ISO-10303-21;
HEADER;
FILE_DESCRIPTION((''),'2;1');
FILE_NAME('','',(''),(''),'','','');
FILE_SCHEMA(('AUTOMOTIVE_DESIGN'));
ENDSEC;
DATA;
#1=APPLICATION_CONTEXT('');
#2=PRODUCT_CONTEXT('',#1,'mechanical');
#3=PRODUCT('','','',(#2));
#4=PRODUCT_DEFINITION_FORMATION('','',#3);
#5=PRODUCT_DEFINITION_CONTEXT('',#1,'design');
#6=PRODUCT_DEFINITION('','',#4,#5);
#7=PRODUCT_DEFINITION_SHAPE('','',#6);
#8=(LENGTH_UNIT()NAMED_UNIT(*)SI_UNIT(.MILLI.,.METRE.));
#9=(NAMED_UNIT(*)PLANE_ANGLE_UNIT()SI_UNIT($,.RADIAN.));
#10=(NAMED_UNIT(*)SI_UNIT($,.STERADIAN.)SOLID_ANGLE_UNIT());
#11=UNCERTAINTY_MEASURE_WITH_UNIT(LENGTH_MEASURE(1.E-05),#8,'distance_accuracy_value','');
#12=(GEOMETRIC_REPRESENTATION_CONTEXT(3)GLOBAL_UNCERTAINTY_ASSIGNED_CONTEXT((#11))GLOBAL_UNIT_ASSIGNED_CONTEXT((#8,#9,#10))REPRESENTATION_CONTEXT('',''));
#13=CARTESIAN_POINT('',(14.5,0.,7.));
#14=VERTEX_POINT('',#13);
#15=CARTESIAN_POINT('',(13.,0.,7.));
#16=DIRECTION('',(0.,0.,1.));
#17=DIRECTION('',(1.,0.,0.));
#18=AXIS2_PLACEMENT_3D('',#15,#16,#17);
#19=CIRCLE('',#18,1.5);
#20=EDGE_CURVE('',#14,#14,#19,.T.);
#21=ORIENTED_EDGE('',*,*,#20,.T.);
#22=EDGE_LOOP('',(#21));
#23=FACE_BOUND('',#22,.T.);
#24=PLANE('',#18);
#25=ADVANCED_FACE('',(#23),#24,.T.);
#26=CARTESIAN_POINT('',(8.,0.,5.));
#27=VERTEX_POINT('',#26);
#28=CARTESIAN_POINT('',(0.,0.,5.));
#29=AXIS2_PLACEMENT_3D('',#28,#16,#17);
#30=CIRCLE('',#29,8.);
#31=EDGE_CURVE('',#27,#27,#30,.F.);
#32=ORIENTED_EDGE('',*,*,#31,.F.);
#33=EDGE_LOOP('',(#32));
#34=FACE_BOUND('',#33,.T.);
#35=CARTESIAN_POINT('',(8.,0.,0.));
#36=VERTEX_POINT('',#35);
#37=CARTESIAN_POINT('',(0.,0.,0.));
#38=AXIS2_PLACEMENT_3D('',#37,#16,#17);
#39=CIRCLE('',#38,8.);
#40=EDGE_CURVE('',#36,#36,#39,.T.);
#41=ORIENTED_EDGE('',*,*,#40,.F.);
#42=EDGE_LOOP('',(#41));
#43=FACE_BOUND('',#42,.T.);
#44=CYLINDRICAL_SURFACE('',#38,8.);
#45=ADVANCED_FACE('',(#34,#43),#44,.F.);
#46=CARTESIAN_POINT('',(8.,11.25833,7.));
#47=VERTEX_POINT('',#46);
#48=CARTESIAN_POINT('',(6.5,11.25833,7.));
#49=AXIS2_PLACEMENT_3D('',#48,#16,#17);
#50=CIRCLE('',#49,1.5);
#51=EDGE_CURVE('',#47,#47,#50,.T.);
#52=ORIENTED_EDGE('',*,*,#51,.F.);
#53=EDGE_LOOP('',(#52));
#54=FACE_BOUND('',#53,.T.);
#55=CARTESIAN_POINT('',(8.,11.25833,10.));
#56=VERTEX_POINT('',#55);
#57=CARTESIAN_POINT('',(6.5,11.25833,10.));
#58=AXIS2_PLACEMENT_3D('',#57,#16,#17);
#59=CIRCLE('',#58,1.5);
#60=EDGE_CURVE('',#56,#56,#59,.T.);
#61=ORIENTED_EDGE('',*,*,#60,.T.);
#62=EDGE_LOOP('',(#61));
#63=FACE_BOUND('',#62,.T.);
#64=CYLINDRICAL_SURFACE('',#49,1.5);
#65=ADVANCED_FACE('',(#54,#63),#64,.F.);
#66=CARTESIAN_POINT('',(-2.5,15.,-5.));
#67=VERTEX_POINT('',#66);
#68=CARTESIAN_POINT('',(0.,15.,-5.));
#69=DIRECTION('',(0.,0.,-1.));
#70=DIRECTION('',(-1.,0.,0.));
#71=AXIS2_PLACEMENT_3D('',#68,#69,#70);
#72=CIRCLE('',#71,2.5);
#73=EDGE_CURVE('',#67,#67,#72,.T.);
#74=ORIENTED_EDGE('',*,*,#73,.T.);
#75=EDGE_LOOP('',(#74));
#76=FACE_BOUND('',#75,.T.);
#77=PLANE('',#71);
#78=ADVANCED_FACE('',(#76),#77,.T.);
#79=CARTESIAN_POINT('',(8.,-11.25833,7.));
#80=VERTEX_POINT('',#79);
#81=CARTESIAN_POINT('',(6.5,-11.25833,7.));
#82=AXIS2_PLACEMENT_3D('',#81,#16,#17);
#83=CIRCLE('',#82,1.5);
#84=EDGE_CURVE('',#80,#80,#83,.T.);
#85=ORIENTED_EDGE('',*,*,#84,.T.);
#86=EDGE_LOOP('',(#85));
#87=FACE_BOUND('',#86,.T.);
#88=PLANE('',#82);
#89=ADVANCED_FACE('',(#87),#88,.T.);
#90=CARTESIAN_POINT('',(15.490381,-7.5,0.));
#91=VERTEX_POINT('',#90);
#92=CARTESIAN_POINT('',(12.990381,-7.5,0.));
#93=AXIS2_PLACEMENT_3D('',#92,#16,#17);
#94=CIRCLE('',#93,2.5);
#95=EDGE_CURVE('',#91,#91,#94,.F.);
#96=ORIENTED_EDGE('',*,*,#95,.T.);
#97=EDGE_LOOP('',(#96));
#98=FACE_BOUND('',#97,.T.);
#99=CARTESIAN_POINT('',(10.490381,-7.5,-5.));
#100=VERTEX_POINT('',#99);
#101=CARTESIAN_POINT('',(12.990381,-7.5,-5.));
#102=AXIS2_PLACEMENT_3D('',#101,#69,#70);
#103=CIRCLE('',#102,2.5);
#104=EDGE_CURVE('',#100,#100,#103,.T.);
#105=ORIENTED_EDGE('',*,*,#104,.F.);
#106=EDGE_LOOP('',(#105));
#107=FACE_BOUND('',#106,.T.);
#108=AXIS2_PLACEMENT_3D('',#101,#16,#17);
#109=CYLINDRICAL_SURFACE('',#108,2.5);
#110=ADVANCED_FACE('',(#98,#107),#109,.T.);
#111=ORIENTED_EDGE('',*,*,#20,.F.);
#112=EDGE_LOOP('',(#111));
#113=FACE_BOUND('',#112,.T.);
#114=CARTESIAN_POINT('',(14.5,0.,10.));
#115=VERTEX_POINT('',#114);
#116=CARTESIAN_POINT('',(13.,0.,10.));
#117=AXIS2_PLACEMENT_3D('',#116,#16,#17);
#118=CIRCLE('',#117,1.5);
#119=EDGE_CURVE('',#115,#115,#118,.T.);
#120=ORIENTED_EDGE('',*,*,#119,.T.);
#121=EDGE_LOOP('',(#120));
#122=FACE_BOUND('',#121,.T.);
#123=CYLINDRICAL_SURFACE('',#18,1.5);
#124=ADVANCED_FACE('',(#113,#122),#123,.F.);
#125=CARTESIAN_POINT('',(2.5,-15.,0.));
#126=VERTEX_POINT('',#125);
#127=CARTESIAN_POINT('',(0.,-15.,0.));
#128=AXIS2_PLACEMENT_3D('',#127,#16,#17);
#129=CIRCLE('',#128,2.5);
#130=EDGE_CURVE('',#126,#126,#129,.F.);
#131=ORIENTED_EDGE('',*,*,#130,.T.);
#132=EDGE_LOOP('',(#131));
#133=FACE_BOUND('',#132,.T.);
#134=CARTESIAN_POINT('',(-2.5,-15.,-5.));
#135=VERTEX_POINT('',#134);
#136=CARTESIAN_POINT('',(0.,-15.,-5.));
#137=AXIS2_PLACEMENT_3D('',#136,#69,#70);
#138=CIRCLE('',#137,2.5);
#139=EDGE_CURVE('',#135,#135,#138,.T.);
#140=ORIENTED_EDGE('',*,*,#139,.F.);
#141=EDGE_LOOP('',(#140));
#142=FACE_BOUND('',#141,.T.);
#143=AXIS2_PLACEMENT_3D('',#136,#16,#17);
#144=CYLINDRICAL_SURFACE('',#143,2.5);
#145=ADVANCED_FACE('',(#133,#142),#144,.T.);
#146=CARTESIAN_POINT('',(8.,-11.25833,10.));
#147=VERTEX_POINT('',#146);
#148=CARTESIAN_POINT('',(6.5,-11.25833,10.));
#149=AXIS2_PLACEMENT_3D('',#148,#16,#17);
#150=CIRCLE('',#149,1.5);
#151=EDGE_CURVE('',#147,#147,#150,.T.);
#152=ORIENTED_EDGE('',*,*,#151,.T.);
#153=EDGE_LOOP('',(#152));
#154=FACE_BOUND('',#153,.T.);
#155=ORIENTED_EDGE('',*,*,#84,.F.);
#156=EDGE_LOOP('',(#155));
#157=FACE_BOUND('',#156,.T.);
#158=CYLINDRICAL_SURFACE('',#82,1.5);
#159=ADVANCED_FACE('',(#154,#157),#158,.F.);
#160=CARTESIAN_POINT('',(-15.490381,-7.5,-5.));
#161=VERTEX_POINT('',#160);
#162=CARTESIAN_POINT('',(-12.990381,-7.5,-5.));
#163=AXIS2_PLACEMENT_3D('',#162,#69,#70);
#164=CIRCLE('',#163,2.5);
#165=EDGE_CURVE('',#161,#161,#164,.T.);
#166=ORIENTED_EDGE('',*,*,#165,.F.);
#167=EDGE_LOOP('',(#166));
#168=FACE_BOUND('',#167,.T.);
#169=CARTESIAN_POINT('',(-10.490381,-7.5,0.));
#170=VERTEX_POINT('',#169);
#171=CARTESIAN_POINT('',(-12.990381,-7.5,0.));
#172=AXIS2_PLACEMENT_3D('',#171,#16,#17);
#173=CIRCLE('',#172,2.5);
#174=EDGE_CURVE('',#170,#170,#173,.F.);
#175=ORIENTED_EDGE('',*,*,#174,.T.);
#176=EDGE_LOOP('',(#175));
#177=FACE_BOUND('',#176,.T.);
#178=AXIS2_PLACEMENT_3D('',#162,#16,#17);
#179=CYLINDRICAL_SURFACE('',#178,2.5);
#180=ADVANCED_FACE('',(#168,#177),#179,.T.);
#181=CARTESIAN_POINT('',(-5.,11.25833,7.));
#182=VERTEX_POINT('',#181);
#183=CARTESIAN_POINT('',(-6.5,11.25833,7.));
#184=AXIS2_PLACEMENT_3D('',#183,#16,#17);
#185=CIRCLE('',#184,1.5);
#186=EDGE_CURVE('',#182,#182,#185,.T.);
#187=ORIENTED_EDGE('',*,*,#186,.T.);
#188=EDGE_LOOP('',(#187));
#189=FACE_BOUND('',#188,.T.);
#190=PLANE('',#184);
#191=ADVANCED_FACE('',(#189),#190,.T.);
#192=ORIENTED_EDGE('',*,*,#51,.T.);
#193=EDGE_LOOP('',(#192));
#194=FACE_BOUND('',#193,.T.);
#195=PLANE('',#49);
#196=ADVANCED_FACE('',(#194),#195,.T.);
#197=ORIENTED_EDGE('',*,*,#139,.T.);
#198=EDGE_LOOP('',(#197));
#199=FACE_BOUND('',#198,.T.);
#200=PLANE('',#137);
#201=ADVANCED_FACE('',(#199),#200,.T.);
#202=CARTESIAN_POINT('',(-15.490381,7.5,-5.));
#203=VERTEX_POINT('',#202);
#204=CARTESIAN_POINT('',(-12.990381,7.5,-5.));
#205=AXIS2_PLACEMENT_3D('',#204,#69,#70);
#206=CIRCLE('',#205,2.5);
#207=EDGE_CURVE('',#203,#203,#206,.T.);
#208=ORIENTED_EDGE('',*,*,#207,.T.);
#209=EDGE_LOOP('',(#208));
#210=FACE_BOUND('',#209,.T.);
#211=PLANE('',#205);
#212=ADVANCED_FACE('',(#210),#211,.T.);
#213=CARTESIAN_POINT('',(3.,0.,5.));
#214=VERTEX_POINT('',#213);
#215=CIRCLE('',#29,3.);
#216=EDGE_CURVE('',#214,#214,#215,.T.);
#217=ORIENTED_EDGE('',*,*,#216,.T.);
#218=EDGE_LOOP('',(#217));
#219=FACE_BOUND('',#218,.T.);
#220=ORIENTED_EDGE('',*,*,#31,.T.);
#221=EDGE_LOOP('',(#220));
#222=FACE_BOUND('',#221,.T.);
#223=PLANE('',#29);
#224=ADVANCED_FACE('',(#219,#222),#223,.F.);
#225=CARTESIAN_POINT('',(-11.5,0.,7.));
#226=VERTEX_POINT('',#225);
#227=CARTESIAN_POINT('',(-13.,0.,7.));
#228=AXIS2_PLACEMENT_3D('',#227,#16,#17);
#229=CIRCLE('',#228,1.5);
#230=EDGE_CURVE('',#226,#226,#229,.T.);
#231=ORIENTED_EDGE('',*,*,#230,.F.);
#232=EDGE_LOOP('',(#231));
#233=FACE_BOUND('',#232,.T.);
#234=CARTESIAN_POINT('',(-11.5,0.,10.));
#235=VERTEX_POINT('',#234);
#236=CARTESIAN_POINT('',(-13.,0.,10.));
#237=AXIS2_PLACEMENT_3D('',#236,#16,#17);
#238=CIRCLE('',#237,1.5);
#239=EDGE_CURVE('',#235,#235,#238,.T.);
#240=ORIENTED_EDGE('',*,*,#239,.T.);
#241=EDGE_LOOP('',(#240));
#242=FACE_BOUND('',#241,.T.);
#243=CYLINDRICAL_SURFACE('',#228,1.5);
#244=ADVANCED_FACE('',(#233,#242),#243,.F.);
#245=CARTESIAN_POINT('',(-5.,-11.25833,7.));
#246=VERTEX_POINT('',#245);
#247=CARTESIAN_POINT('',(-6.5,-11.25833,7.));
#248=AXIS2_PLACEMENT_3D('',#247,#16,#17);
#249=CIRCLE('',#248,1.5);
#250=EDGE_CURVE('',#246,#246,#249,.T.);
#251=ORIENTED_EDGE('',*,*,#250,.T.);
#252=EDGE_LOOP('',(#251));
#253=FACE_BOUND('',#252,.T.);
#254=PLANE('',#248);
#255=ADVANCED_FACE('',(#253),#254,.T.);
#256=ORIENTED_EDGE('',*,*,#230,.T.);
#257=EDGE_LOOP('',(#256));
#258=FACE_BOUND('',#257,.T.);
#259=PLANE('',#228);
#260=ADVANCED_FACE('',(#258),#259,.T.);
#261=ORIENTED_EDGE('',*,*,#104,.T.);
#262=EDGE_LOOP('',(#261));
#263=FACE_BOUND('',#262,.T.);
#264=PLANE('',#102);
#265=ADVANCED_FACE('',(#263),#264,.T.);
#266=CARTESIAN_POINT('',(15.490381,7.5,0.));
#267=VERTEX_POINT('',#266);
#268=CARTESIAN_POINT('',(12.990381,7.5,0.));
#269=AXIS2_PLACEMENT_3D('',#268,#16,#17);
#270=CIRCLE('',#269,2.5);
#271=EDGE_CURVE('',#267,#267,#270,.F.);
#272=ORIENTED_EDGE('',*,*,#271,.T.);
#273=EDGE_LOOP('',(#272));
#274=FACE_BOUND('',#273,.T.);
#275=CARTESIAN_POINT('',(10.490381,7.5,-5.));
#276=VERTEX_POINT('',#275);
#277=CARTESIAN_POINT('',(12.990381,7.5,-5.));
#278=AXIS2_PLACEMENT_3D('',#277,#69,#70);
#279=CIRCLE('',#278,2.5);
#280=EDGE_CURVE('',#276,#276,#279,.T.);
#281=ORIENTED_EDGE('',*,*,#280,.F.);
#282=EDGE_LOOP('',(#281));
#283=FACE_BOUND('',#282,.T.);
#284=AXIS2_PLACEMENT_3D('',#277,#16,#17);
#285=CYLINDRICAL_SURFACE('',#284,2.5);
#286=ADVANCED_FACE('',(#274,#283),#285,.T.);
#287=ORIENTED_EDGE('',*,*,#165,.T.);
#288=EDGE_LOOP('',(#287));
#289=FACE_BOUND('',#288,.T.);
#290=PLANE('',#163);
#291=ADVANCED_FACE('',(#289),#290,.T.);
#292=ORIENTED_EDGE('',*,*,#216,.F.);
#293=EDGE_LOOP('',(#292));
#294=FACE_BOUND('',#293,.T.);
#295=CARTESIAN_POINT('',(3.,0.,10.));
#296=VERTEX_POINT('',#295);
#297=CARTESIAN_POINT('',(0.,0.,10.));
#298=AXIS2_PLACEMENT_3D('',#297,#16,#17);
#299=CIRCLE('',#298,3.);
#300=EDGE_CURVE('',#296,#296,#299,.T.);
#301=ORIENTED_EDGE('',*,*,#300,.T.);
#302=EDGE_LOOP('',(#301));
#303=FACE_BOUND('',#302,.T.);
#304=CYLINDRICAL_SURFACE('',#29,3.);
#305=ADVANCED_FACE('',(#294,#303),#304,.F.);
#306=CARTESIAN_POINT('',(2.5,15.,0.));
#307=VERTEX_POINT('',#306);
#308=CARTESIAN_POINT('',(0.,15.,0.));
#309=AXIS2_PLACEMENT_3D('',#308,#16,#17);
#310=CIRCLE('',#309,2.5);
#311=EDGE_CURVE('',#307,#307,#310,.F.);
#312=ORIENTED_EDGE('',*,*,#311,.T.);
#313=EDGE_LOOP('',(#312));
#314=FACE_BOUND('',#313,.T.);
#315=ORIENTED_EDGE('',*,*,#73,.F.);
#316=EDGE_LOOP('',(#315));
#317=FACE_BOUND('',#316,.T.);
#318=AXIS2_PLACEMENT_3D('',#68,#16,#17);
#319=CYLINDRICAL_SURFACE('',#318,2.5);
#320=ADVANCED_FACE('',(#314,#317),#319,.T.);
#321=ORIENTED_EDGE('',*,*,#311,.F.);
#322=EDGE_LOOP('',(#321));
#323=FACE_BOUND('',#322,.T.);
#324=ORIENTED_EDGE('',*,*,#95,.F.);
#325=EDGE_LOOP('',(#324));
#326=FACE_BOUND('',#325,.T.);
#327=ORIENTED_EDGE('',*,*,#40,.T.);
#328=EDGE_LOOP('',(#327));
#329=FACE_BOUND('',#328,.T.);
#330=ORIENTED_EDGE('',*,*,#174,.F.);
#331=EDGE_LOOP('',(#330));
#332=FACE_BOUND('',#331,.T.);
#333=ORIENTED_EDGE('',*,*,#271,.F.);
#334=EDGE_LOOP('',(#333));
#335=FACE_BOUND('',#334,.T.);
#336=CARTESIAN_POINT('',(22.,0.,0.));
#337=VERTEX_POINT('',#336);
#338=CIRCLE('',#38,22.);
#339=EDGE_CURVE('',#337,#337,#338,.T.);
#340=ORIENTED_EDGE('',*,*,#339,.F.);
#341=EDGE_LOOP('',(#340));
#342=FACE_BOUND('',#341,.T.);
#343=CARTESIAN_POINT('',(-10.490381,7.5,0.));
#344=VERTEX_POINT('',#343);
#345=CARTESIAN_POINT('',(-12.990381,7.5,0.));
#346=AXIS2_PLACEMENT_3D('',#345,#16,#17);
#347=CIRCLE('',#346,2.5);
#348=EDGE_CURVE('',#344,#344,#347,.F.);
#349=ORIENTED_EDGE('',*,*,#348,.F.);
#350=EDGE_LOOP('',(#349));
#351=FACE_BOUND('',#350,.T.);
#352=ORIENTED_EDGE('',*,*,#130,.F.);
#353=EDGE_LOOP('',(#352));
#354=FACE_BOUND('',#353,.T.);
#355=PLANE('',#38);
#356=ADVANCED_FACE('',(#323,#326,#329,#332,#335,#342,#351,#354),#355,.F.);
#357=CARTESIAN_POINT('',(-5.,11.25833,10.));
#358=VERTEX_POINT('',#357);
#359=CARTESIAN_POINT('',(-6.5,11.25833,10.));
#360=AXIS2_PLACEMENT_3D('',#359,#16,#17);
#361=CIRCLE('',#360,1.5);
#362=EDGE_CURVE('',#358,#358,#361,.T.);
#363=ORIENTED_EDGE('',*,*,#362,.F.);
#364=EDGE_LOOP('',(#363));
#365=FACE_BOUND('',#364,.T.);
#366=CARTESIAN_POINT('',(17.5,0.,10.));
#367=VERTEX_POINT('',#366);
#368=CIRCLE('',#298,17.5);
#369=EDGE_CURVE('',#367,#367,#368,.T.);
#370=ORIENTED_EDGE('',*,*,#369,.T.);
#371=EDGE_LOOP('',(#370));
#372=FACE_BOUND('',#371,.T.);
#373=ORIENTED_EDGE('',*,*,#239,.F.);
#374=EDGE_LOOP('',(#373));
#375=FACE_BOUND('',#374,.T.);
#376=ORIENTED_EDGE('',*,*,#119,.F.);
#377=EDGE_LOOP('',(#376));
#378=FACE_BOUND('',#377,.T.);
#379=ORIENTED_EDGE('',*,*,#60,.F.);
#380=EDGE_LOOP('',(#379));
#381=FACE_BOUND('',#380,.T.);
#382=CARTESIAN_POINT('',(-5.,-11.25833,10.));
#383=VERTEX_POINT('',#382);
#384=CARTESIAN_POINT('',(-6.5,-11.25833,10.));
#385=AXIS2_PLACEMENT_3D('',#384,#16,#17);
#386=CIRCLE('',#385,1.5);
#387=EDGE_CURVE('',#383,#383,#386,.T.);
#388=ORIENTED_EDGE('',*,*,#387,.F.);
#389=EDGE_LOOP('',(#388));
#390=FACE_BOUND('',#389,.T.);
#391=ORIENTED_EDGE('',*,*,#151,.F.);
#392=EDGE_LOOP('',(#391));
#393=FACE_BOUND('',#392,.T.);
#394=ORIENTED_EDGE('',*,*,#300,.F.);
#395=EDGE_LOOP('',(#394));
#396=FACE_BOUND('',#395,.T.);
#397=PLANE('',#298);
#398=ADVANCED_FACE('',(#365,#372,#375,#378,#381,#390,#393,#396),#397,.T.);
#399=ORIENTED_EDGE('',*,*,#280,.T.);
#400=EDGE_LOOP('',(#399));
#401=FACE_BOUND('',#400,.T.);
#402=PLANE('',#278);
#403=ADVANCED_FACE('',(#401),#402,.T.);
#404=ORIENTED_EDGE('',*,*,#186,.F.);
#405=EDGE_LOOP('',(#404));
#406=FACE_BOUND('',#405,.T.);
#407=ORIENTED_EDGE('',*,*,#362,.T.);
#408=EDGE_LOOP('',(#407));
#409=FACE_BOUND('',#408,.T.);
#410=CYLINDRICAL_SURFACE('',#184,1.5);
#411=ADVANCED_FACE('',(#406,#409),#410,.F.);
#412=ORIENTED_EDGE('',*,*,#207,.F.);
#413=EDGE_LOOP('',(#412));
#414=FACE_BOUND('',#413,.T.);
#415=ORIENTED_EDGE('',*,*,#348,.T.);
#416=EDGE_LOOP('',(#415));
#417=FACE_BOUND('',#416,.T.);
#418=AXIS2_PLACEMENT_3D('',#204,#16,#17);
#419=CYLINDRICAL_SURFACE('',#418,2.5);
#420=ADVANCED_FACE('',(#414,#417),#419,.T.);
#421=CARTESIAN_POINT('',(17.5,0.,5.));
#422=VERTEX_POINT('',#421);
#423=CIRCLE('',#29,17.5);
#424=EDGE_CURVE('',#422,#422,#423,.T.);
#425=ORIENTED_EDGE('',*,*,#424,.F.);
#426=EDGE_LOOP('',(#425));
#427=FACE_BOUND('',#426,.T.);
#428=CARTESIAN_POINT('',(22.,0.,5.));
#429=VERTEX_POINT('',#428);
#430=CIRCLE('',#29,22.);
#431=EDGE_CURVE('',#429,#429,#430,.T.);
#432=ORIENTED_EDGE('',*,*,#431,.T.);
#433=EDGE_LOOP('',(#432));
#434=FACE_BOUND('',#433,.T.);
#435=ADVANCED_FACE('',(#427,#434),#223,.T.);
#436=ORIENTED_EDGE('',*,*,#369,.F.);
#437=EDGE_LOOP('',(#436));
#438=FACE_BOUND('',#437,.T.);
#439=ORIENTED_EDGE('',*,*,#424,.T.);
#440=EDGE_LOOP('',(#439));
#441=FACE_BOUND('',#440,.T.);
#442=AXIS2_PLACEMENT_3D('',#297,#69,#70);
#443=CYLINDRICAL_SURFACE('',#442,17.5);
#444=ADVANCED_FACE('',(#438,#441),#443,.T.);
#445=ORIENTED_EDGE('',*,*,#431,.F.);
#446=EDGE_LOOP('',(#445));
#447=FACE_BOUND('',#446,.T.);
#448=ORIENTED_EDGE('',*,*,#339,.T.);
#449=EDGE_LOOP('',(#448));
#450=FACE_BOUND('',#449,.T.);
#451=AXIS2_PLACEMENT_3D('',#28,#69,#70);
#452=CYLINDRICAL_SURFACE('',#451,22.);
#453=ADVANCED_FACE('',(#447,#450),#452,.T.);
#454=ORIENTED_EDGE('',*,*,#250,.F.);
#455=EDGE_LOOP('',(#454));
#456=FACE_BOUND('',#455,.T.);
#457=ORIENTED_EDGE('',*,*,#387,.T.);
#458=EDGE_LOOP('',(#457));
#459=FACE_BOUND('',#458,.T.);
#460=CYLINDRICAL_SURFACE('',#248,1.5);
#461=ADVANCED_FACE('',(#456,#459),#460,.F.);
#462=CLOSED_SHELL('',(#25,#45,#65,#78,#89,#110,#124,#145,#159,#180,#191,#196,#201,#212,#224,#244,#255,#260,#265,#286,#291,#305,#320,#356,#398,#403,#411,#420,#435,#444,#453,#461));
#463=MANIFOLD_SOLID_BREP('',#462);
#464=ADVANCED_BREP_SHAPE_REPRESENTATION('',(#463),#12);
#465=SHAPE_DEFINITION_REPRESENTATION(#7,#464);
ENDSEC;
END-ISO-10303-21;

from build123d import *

# Parameters (mm, degrees)
SKETCH1_R           = 22
BOSS_EXTRUDE1_DEPTH = 5
SKETCH2_R           = 17.5
BOSS_EXTRUDE2_DEPTH = 5
SKETCH4_R           = 8
CUT_EXTRUDE2_DEPTH  = 10
SKETCH5_R           = 1.5
CUT_EXTRUDE3_DEPTH  = 3
SKETCH7_R           = 2.5
BOSS_EXTRUDE4_DEPTH = 5
SKETCH8_R           = 8
SKETCH8_R_2         = 3
BOSS_EXTRUDE5_DEPTH = 5


with BuildPart() as part:
    # Sketch1 → Boss-Extrude1 (new body)
    with BuildSketch(Plane.XY):
        Circle(SKETCH1_R)
    extrude(amount=BOSS_EXTRUDE1_DEPTH)

    # Sketch2 → Boss-Extrude2 (add)
    with BuildSketch(Plane.XY.offset(5)):
        Circle(SKETCH2_R)
    extrude(amount=BOSS_EXTRUDE2_DEPTH)

    # Sketch4 → Cut-Extrude2 (cut)
    with BuildSketch(Plane.XY.offset(10)):
        Circle(SKETCH4_R)
    extrude(amount=-CUT_EXTRUDE2_DEPTH, mode=Mode.SUBTRACT)

    # Sketch5 → Cut-Extrude3 (cut)
    with BuildSketch(Plane.XY.offset(10)):
        with Locations((13, 0)):
            Circle(SKETCH5_R)
        with Locations((6.5, -11.258330249)):
            Circle(SKETCH5_R)
        with Locations((-6.5, -11.258330249)):
            Circle(SKETCH5_R)
        with Locations((-13, 0)):
            Circle(SKETCH5_R)
        with Locations((-6.5, 11.258330249)):
            Circle(SKETCH5_R)
        with Locations((6.5, 11.258330249)):
            Circle(SKETCH5_R)
    extrude(amount=-CUT_EXTRUDE3_DEPTH, mode=Mode.SUBTRACT)

    # Sketch7 → Boss-Extrude4 (add)
    with BuildSketch(Plane(origin=(0, 0, 0), x_dir=(-1, 0, 0), z_dir=(0, 0, -1))):
        with Locations(Location((0, 15, 0), (0, 0, 180))):
            Circle(SKETCH7_R)
        with Locations(Location((12.990381057, 7.5, 0), (0, 0, 180))):
            Circle(SKETCH7_R)
        with Locations(Location((12.990381057, -7.5, 0), (0, 0, 180))):
            Circle(SKETCH7_R)
        with Locations(Location((0, -15, 0), (0, 0, 180))):
            Circle(SKETCH7_R)
        with Locations(Location((-12.990381057, -7.5, 0), (0, 0, 180))):
            Circle(SKETCH7_R)
        with Locations(Location((-12.990381057, 7.5, 0), (0, 0, 180))):
            Circle(SKETCH7_R)
    extrude(amount=BOSS_EXTRUDE4_DEPTH)

    # Sketch8 → Boss-Extrude5 (add)
    with BuildSketch(Plane.XY.offset(10)):
        Circle(SKETCH8_R)
        Circle(SKETCH8_R_2, mode=Mode.SUBTRACT)
    extrude(amount=-BOSS_EXTRUDE5_DEPTH)


solid = part.part
